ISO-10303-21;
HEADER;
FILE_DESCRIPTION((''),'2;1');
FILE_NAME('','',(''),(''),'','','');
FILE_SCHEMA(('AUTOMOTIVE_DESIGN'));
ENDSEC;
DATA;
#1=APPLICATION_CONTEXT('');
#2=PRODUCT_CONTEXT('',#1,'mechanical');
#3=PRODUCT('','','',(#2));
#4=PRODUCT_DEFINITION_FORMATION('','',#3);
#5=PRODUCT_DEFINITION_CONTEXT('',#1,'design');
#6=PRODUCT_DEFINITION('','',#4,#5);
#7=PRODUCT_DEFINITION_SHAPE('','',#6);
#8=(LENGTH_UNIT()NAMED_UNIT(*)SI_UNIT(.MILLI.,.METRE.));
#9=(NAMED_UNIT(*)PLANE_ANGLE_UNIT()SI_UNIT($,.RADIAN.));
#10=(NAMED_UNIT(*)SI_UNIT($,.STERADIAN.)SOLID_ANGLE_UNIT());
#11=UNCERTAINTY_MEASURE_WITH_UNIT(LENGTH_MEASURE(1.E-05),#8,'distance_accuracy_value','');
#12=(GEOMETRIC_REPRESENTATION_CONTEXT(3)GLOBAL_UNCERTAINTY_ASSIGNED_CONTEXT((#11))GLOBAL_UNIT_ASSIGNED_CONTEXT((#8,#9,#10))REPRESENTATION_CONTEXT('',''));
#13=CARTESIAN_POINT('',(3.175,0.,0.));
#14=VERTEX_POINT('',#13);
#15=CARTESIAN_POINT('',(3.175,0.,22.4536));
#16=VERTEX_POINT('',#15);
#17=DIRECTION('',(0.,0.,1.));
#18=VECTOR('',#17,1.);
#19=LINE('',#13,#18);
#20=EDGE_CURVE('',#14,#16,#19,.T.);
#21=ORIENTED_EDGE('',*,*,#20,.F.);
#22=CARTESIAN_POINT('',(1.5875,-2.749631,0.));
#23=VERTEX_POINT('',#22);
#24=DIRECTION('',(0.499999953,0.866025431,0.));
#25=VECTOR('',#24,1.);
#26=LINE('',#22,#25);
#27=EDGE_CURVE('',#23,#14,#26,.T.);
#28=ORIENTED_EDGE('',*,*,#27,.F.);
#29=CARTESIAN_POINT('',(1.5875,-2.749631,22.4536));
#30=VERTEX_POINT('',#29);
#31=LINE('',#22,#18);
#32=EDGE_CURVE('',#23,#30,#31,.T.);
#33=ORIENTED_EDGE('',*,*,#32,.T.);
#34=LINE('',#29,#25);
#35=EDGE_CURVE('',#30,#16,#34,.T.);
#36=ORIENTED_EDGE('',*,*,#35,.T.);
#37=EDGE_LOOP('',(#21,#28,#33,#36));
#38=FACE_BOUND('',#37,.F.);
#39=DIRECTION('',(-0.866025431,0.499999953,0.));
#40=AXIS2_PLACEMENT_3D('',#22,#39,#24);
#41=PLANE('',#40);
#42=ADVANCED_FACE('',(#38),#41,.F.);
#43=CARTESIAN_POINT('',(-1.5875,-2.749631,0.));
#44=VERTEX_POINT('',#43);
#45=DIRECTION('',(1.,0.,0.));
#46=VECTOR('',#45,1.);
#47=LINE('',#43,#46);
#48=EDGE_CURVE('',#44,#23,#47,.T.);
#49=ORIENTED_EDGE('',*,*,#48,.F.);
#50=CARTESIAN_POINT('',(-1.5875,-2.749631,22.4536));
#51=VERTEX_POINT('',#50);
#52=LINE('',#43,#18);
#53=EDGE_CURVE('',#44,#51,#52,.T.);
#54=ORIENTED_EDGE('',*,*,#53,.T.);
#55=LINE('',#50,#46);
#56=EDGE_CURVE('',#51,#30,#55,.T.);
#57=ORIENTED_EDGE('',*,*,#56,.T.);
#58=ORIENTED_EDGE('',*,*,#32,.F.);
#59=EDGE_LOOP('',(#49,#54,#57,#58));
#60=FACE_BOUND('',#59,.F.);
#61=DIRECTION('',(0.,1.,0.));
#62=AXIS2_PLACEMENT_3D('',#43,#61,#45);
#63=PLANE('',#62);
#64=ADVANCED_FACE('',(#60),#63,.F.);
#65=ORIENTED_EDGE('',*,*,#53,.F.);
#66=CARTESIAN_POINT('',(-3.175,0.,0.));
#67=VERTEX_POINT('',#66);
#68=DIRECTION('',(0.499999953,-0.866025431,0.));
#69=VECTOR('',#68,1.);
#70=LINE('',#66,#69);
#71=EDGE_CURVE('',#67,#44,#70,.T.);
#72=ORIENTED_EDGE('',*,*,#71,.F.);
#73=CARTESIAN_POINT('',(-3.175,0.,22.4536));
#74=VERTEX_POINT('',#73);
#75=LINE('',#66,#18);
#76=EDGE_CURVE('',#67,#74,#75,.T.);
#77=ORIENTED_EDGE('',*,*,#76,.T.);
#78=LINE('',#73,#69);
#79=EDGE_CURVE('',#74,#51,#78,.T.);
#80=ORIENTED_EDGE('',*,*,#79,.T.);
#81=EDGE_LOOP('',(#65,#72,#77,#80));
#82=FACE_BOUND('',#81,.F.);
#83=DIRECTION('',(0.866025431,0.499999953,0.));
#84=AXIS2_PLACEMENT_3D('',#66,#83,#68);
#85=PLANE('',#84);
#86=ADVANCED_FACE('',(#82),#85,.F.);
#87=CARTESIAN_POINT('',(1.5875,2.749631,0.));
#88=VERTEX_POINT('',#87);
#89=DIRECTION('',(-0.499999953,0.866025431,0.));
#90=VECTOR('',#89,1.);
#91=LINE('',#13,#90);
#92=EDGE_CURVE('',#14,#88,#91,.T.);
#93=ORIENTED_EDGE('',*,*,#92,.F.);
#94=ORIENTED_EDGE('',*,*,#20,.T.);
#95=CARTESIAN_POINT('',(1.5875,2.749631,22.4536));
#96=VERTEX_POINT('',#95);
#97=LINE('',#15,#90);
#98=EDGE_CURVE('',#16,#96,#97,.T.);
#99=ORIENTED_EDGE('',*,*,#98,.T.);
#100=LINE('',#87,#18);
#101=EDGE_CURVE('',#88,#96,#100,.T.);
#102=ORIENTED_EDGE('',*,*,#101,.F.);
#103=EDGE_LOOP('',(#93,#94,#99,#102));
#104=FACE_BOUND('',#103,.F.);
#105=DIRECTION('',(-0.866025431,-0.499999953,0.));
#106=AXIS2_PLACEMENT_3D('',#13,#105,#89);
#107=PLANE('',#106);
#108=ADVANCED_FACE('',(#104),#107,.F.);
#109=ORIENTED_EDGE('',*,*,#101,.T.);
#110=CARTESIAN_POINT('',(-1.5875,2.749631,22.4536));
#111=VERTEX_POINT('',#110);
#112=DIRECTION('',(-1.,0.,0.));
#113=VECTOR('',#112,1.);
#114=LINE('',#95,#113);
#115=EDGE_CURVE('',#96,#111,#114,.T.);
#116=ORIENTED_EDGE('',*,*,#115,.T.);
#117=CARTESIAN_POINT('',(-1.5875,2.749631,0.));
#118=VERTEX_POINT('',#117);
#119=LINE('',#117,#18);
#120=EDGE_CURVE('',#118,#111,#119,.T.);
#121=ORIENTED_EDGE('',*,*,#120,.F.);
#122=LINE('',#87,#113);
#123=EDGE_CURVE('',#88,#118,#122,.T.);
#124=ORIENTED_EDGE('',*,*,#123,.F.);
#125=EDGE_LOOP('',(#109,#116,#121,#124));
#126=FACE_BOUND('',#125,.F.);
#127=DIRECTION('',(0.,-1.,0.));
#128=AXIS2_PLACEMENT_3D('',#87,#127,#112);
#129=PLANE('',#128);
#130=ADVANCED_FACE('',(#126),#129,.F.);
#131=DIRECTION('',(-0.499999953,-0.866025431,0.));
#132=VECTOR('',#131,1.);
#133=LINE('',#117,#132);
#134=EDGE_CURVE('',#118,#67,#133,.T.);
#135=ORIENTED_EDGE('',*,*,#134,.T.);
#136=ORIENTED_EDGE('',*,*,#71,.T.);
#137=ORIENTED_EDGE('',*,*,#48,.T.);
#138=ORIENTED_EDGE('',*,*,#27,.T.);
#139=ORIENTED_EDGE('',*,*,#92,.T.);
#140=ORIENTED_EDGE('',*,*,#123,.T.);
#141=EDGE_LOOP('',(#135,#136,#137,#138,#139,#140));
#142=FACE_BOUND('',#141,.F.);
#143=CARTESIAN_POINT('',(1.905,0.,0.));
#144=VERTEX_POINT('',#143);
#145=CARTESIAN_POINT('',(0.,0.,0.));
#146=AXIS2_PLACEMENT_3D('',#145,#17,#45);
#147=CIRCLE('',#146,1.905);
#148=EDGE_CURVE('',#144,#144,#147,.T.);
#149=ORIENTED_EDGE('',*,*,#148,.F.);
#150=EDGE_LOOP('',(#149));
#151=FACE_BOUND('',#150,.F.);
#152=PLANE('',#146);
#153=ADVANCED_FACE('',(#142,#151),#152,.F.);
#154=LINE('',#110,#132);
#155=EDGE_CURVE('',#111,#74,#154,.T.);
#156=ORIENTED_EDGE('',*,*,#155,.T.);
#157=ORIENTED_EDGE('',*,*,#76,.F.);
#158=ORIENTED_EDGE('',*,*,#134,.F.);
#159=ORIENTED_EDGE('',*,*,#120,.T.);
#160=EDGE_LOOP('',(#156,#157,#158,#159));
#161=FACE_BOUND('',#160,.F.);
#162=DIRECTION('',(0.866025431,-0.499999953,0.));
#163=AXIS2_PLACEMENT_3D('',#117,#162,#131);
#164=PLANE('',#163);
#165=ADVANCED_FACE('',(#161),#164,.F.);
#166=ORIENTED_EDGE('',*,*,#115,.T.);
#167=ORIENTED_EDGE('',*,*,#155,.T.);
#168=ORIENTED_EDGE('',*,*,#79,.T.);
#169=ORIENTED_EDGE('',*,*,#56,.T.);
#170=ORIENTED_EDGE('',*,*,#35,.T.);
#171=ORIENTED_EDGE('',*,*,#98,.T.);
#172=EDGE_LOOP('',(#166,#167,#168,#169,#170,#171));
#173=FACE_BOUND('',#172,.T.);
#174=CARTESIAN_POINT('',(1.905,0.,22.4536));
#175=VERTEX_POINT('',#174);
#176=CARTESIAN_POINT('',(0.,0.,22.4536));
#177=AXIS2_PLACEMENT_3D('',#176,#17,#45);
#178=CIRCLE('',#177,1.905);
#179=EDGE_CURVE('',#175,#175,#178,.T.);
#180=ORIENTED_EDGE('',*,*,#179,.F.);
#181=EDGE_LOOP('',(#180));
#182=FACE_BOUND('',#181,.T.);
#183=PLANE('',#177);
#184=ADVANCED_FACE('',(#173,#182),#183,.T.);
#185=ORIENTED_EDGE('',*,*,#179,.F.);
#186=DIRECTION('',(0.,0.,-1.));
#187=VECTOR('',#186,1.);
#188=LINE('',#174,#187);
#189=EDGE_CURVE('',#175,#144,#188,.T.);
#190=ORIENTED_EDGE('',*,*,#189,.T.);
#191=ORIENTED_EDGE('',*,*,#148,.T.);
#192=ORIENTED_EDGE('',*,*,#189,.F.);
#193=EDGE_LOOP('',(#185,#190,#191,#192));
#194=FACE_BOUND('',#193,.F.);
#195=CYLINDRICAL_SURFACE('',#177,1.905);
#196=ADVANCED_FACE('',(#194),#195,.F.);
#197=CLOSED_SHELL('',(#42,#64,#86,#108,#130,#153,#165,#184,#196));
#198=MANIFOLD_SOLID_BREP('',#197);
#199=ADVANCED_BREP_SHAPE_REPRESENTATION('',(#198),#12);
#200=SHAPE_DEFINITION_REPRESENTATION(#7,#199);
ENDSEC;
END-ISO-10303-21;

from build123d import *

# Parameters (mm, degrees)
F1_DEPTH = 22.4536
F2_R     = 1.905
F3_DEPTH = 22.4536


with BuildPart() as f1:
    # F0 (on Top) → F1 (new body)
    with BuildSketch(Plane.XY):
        Polygon((1.5875, -2.749631), (3.175, 0), (1.5875, 2.749631), (-1.5875, 2.749631), (-3.175, 0), (-1.5875, -2.749631), align=None)
    extrude(amount=F1_DEPTH)

    # F2 (on face) → F3 (cut, through all)
    with BuildSketch(Plane.XY.offset(22.4536)):
        Circle(F2_R)
    extrude(amount=-F3_DEPTH, mode=Mode.SUBTRACT)


solid = f1.part
